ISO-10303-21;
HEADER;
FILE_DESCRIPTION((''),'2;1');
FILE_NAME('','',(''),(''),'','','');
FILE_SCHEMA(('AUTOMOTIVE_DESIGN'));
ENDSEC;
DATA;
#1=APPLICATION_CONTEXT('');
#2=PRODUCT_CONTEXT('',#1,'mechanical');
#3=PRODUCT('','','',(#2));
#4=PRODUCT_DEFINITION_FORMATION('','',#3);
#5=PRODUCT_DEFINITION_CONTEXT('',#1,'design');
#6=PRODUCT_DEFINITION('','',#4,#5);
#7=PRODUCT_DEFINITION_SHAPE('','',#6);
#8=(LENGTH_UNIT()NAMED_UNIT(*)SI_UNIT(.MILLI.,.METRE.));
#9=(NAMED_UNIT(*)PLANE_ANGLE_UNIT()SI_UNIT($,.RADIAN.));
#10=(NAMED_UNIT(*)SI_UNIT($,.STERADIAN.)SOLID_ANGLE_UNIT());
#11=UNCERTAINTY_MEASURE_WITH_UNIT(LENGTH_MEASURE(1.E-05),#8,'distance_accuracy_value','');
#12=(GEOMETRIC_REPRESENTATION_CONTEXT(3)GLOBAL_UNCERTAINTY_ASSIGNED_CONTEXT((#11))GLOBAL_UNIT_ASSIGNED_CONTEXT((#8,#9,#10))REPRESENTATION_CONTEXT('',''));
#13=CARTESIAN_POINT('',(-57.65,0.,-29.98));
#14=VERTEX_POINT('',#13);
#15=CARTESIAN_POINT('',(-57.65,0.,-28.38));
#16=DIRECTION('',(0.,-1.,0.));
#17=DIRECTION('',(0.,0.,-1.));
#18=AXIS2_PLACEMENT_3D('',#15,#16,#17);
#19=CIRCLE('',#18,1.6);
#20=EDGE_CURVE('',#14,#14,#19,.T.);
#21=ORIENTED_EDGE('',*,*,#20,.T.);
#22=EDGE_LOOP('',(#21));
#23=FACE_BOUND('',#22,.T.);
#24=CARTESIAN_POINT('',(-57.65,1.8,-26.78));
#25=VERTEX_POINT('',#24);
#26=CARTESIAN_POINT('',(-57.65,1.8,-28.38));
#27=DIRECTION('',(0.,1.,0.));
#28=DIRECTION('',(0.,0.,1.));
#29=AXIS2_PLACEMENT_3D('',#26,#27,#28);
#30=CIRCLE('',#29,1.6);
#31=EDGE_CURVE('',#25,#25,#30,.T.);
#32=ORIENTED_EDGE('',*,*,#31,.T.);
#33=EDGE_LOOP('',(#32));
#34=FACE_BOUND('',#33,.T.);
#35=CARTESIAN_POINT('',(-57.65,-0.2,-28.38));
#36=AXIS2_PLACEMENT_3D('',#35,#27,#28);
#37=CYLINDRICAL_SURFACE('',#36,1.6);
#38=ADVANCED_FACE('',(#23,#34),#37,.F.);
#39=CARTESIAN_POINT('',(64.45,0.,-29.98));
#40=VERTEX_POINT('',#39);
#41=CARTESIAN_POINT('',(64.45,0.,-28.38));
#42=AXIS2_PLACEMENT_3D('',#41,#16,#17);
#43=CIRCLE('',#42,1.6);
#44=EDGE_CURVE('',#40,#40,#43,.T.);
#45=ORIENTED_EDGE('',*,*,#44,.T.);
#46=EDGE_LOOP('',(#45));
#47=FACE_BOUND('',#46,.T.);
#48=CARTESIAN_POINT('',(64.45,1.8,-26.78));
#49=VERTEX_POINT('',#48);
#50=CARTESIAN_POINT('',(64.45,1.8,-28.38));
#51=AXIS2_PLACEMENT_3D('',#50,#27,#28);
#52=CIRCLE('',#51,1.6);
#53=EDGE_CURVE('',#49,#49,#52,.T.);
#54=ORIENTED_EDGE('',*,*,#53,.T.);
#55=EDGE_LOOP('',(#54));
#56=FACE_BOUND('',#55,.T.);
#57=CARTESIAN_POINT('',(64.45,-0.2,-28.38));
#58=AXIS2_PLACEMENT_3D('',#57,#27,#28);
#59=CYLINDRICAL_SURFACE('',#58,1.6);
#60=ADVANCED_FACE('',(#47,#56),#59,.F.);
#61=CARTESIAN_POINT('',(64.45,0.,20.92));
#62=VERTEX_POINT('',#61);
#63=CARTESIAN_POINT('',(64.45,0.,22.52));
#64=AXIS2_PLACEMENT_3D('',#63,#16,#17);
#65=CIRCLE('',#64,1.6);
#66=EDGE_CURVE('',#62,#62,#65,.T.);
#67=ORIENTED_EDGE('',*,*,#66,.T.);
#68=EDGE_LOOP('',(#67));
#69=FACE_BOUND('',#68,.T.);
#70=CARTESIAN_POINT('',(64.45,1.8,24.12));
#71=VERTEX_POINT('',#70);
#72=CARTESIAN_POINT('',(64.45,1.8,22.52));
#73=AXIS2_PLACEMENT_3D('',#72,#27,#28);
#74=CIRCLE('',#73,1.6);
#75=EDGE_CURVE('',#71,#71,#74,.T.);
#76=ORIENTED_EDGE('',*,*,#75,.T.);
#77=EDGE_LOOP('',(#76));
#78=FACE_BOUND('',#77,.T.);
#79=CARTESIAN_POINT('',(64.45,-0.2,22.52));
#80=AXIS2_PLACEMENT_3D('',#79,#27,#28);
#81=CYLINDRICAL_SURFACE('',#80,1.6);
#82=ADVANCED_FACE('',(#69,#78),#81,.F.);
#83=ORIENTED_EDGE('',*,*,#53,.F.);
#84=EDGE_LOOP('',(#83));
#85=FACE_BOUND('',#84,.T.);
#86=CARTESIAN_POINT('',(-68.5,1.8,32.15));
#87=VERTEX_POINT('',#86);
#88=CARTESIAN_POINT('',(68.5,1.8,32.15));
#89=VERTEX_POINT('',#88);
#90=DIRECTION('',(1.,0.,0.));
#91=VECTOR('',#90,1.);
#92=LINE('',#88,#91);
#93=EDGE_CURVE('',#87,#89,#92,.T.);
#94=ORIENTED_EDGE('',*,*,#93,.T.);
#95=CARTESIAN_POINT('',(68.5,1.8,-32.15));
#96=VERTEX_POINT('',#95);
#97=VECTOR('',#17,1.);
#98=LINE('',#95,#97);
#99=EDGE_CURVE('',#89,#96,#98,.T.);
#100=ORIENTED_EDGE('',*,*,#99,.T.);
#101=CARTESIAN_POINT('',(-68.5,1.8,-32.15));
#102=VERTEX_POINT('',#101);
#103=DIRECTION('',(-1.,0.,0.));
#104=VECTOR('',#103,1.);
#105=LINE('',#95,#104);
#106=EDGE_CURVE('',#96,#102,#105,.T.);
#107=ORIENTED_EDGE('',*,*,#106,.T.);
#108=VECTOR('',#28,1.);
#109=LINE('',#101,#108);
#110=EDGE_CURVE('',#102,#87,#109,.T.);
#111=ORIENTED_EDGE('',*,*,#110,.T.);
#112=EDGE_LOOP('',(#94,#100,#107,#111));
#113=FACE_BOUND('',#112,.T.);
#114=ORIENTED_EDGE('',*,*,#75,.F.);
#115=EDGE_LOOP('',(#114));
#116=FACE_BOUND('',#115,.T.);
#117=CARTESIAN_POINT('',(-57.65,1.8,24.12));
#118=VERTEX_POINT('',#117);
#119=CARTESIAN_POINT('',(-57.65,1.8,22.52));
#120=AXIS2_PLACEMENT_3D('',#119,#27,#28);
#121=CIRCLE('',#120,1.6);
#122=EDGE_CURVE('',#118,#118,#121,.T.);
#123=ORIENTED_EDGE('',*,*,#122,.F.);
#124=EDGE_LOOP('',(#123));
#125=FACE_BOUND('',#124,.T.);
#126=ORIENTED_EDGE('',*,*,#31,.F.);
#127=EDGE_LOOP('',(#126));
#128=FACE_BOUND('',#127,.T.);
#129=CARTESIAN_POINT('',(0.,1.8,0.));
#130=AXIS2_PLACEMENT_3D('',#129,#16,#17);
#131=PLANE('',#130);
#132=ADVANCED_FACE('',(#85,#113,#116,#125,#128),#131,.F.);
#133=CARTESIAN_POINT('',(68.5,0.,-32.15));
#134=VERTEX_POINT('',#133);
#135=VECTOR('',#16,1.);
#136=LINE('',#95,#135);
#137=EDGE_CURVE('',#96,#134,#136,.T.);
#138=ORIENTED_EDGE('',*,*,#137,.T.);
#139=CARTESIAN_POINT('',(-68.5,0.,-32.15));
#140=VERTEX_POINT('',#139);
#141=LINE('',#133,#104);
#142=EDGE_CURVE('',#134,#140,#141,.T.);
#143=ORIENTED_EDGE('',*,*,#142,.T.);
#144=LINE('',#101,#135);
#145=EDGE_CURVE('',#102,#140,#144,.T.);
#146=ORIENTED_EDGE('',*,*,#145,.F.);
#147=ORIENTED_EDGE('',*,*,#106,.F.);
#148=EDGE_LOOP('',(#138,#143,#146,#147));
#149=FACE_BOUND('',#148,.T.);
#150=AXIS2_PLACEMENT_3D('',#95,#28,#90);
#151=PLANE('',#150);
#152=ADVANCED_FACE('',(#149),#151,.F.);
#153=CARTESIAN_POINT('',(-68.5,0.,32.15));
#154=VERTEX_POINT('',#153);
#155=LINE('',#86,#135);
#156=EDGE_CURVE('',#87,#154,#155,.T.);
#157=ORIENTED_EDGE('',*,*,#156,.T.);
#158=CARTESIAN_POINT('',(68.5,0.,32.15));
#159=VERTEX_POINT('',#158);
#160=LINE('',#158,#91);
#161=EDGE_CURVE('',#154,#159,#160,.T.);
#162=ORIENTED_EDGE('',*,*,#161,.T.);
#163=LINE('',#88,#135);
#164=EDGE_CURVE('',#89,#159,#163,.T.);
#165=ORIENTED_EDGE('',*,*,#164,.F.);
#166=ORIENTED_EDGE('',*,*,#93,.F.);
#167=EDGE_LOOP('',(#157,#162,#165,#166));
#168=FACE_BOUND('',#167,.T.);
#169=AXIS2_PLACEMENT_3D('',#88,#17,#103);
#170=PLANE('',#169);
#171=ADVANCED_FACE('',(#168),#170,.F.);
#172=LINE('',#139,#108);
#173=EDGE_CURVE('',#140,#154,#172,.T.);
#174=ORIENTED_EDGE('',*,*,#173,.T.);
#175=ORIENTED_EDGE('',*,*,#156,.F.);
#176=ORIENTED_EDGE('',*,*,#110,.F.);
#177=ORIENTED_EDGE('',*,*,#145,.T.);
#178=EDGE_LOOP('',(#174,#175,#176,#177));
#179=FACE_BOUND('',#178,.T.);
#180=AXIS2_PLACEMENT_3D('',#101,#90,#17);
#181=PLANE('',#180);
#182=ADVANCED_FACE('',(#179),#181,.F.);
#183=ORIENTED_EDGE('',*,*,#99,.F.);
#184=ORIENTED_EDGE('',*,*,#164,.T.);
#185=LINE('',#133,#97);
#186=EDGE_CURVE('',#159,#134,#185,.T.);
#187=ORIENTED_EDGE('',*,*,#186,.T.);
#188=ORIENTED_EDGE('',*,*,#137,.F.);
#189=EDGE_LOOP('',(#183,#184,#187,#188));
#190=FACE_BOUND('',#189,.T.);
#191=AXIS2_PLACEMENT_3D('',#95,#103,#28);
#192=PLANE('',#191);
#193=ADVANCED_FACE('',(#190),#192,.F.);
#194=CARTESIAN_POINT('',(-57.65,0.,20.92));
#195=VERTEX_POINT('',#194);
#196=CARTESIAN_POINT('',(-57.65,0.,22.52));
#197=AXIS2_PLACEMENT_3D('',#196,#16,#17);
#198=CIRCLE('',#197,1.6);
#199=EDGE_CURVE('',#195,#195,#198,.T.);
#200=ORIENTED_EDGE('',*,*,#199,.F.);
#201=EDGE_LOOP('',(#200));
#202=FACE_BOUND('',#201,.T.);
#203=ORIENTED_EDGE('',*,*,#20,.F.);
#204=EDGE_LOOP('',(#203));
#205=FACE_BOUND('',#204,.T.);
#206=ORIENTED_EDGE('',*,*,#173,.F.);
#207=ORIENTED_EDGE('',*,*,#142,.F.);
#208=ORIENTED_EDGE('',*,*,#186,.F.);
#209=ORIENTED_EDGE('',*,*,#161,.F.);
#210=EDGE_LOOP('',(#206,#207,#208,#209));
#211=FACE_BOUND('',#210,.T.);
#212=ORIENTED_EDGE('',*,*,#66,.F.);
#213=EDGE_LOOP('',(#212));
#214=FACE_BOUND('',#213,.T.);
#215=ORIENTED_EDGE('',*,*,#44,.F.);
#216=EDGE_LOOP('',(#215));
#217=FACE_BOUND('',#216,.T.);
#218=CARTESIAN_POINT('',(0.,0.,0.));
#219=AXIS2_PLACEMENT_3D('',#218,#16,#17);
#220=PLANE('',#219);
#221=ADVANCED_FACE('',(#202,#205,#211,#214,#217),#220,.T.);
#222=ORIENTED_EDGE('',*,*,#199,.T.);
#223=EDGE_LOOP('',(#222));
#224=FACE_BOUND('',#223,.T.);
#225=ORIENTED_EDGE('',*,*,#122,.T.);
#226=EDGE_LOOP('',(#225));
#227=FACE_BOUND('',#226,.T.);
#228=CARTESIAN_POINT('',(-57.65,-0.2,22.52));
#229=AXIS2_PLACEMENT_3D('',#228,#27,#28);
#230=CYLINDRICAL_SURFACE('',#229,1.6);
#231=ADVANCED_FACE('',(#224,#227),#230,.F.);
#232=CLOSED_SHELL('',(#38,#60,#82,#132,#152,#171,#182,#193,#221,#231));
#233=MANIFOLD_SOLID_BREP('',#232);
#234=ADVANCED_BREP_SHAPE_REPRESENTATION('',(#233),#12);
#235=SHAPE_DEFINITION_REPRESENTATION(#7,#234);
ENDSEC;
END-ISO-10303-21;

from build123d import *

# Parameters (mm, degrees)
SKETCH1_W           = 137
SKETCH1_H           = 64.3
BOSS_EXTRUDE1_DEPTH = 1.8
SKETCH2_R           = 1.6
CUT_EXTRUDE1_DEPTH  = 2


with BuildPart() as part:
    # Sketch1 → Boss-Extrude1 (new body)
    with BuildSketch(Plane(origin=(0, 0, 0), x_dir=(1, 0, 0), z_dir=(0, 1, 0))):
        Rectangle(SKETCH1_W, SKETCH1_H)
    extrude(amount=BOSS_EXTRUDE1_DEPTH)

    # Sketch2 → Cut-Extrude1 (cut)
    with BuildSketch(Plane(origin=(0, 1.8, 0), x_dir=(1, 0, 0), z_dir=(0, 1, 0))):
        with Locations(Location((-57.65, 28.38, 0), (0, 0, 270))):
            Circle(SKETCH2_R)
        with Locations(Location((-57.65, -22.52, 0), (0, 0, 270))):
            Circle(SKETCH2_R)
        with Locations(Location((64.45, 28.38, 0), (0, 0, 270))):
            Circle(SKETCH2_R)
        with Locations(Location((64.45, -22.52, 0), (0, 0, 270))):
            Circle(SKETCH2_R)
    extrude(amount=-CUT_EXTRUDE1_DEPTH, mode=Mode.SUBTRACT)


solid = part.part
